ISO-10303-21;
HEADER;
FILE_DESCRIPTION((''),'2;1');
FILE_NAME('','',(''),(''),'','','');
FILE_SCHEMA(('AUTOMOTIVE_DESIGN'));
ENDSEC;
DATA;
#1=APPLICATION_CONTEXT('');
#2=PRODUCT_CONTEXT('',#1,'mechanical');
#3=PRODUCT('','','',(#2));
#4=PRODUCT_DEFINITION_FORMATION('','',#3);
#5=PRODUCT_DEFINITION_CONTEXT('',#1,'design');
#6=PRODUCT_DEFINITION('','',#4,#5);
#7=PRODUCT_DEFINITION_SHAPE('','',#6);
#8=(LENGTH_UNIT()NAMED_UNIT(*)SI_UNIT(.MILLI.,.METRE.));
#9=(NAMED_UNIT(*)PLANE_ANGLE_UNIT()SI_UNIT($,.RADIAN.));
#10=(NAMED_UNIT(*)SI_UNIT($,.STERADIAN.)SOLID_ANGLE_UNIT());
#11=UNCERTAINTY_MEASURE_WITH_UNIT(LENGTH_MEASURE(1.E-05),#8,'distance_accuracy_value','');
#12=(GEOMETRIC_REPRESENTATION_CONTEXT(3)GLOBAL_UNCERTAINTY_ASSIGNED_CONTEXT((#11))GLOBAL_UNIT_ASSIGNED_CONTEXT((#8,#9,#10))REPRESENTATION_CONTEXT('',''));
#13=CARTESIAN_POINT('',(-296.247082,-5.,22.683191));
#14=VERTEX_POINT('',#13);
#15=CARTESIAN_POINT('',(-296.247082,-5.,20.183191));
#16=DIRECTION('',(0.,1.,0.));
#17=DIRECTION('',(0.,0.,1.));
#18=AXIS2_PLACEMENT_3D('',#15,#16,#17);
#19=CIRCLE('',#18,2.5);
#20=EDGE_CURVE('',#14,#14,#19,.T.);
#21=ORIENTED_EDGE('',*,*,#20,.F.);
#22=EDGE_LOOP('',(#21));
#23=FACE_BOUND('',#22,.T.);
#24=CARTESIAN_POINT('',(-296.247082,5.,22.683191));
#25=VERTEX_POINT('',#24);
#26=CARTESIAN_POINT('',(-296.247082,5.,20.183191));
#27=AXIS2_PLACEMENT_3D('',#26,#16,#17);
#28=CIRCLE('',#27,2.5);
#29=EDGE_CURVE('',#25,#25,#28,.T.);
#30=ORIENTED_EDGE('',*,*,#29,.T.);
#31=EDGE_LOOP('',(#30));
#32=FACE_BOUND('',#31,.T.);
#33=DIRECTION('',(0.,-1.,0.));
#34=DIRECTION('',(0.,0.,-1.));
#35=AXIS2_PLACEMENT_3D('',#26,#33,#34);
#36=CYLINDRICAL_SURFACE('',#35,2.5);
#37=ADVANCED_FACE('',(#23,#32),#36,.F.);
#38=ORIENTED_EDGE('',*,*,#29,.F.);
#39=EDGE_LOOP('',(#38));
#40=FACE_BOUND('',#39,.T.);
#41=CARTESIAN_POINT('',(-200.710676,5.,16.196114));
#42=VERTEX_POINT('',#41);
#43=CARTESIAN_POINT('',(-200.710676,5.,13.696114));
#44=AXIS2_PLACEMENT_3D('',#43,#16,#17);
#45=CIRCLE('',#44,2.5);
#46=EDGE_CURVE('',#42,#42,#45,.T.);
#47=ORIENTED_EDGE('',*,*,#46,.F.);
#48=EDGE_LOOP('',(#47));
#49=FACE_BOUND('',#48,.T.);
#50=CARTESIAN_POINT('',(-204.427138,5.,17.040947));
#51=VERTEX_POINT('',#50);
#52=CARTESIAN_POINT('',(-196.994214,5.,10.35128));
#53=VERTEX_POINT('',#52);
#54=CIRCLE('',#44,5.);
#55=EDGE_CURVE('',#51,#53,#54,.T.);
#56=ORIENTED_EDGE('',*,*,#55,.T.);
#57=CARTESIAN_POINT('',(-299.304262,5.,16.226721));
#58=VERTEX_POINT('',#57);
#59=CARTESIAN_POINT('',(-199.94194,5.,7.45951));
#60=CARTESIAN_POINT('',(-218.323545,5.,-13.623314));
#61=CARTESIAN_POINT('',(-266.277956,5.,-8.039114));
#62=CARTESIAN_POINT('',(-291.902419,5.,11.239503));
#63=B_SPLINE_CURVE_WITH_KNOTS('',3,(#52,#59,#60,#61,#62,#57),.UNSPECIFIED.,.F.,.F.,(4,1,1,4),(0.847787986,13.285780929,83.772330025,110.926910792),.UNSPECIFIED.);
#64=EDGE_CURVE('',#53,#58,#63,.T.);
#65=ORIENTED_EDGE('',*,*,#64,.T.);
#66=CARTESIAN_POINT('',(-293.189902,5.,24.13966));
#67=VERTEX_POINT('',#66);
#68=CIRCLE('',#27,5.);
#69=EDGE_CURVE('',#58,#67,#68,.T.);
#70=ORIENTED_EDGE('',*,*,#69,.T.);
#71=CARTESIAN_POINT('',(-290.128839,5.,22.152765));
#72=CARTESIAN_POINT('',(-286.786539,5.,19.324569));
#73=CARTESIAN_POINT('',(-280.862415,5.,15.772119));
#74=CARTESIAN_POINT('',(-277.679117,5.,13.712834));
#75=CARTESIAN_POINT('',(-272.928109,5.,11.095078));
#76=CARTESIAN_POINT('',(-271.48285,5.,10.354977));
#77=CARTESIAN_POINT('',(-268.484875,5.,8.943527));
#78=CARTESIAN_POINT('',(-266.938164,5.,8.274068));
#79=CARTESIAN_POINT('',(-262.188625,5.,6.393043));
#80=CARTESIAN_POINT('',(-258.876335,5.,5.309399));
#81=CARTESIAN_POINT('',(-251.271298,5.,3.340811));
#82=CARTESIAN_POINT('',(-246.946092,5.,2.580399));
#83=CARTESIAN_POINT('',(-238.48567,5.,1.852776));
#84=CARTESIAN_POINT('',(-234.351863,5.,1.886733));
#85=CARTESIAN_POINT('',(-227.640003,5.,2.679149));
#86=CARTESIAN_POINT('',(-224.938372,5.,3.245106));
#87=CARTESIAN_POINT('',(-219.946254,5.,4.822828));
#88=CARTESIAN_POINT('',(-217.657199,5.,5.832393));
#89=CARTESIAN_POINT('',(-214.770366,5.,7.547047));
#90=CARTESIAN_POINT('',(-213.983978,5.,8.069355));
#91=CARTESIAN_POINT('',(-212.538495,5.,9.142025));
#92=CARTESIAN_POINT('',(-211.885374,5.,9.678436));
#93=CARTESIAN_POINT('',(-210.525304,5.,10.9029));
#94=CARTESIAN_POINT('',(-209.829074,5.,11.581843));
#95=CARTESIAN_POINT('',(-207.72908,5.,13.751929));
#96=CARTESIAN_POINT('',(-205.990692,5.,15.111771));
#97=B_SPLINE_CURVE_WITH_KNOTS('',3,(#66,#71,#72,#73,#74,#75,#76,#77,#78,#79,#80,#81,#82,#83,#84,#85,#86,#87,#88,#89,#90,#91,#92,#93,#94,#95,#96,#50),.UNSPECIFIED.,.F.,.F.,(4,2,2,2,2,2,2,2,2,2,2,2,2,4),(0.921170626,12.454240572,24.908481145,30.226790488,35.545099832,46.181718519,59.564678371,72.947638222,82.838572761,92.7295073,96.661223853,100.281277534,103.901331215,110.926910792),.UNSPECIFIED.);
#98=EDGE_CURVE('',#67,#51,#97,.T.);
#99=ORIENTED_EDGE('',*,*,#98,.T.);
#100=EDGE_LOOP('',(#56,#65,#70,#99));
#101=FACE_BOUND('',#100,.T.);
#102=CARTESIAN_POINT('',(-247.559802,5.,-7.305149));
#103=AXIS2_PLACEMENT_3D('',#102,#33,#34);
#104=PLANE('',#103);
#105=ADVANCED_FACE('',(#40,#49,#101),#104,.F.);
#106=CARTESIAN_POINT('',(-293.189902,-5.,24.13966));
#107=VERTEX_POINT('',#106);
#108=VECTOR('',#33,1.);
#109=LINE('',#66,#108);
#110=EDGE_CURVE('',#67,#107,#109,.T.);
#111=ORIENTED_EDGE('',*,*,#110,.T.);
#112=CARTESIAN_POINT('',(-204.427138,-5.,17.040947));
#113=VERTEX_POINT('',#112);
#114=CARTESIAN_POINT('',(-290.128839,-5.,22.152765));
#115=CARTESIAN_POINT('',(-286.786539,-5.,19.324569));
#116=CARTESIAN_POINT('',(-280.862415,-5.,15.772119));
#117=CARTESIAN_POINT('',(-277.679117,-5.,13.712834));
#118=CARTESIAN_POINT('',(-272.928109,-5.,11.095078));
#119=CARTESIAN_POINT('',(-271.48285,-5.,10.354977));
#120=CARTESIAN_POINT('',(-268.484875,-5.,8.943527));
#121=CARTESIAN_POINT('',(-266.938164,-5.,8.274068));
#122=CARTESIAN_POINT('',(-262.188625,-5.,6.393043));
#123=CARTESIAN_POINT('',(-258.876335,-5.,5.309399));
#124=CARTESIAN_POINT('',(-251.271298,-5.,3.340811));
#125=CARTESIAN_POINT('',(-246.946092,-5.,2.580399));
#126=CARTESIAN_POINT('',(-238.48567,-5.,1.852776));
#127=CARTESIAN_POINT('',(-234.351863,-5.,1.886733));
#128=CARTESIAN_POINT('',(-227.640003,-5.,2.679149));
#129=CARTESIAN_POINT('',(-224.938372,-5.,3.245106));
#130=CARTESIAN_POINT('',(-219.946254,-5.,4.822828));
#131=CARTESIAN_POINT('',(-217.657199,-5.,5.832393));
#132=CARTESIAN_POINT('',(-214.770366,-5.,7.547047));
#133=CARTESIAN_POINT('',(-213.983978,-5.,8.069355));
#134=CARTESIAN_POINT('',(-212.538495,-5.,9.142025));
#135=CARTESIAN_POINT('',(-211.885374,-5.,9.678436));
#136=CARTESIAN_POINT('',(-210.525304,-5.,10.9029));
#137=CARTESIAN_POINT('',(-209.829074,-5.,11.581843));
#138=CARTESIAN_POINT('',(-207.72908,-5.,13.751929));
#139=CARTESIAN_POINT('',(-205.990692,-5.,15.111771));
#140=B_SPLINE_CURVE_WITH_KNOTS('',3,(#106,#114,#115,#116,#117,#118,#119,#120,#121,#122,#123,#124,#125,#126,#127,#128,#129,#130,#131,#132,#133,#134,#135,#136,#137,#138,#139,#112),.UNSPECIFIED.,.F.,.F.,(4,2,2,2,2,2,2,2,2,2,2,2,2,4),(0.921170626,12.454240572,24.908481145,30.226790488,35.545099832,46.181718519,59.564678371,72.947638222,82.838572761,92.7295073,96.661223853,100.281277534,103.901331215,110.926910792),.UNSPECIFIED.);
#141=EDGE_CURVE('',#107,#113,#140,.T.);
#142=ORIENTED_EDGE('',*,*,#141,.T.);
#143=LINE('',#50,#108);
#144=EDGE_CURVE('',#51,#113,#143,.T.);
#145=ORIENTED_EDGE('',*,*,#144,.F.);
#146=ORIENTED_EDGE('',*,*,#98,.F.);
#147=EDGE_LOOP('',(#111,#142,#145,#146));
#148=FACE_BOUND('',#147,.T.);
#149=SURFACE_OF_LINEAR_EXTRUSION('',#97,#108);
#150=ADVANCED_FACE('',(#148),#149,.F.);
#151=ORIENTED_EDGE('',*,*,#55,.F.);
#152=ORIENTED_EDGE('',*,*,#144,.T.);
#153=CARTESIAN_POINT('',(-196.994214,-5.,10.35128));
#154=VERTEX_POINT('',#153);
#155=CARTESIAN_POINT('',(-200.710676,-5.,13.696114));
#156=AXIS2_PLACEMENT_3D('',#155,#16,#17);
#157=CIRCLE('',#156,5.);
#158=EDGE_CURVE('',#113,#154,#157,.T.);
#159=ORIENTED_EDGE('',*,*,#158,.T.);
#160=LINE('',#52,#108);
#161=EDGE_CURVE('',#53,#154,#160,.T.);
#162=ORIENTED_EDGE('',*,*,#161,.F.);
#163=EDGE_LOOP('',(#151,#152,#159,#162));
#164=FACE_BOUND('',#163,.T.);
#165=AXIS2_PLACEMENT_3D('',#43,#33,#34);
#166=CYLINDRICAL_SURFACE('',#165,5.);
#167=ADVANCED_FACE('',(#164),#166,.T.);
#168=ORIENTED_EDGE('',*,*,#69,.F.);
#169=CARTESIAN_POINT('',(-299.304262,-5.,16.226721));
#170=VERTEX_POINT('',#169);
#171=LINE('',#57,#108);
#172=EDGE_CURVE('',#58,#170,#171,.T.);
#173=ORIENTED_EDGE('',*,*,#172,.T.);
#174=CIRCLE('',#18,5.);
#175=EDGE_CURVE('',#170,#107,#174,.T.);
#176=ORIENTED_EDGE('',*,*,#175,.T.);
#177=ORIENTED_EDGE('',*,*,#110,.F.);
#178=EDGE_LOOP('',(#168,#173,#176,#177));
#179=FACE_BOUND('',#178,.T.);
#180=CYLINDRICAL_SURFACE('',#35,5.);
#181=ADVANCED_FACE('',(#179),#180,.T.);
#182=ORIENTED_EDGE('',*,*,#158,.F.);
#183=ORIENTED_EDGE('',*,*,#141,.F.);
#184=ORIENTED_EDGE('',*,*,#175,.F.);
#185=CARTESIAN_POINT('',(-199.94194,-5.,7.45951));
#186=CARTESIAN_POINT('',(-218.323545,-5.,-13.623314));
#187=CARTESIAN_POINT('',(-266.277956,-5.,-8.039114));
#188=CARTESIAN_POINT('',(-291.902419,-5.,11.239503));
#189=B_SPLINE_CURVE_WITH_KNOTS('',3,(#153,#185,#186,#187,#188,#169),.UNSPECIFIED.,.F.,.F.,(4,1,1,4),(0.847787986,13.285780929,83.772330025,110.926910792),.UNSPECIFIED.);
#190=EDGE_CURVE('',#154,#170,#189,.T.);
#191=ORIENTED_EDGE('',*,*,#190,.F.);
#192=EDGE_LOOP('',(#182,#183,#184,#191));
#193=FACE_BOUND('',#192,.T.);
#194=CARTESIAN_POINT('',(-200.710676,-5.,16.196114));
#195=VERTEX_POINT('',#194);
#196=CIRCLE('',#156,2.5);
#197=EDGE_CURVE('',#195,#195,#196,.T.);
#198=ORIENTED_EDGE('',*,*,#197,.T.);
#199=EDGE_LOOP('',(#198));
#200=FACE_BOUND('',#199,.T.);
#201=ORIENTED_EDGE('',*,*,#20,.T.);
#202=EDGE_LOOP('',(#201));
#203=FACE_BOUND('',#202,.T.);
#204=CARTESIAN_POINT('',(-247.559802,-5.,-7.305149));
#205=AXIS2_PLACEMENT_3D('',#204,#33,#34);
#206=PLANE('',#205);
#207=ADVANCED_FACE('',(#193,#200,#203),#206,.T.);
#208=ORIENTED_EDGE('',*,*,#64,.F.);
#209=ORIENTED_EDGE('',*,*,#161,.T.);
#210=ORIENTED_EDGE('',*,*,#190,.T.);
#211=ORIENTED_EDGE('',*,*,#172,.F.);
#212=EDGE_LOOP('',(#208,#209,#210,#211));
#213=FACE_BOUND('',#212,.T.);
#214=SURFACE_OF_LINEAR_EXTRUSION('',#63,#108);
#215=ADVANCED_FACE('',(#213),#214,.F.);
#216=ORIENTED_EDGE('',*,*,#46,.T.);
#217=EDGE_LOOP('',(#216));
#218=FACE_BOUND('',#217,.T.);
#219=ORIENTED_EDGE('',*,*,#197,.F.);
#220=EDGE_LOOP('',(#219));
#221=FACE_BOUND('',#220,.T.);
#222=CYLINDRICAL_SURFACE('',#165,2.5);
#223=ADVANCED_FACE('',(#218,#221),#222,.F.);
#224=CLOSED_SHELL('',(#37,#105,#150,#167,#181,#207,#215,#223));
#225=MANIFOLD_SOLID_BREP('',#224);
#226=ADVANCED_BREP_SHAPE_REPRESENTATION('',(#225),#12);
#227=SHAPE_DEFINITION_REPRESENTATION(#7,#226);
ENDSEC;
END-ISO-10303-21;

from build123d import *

# Parameters (mm, degrees)
SKETCH3_R           = 2.5
BOSS_EXTRUDE1_DEPTH = 5


with BuildPart() as part:
    # Sketch3 → Boss-Extrude1 (new, symmetric)
    with BuildSketch(Plane(origin=(0, 0, 0), x_dir=(1, 0, 0), z_dir=(0, 1, 0))):
        with BuildLine():
            ThreePointArc((-299.304262271, -16.226721188), (-300.203551691, -23.240370633), (-293.189902246, -24.139660053))
            add(Edge.make_bspline(
                [(-293.189902246, -24.139660053), (-290.128839124, -22.152764654), (-286.786538548, -19.324569113), (-280.862415348, -15.772118685), (-277.679116824, -13.712833567), (-272.928108533, -11.095078383), (-271.482849503, -10.354977079), (-268.484875372, -8.943526758), (-266.938163872, -8.274068128), (-262.188625232, -6.393042897), (-258.876334977, -5.309399198), (-251.271297793, -3.340810571), (-246.946091648, -2.580398934), (-238.485670472, -1.8527763), (-234.351862704, -1.886732872), (-227.640002948, -2.679148904), (-224.938371935, -3.245106431), (-219.9462539, -4.822827696), (-217.657198787, -5.832393233), (-214.770366393, -7.547047403), (-213.983977581, -8.069354524), (-212.538495104, -9.142025189), (-211.885373774, -9.678435733), (-210.525303671, -10.902899744), (-209.829074095, -11.581843244), (-207.729080325, -13.751928889), (-205.990691886, -15.11177084), (-204.427137735, -17.040946949)],
                knots=[0.921170626, 0.921170626, 0.921170626, 0.921170626, 12.454240572, 12.454240572, 24.908481145, 24.908481145, 30.226790488, 30.226790488, 35.545099832, 35.545099832, 46.181718519, 46.181718519, 59.564678371, 59.564678371, 72.947638222, 72.947638222, 82.838572761, 82.838572761, 92.7295073, 92.7295073, 96.661223853, 96.661223853, 100.281277534, 100.281277534, 103.901331215, 103.901331215, 110.926910792, 110.926910792, 110.926910792, 110.926910792], degree=3))
            ThreePointArc((-204.427137735, -17.040946949), (-197.365842369, -17.412575466), (-196.994213851, -10.3512801))
            add(Edge.make_bspline(
                [(-299.304262271, -16.226721188), (-291.902418619, -11.239503023), (-266.277956185, 8.039114355), (-218.323545031, 13.623313869), (-199.941940379, -7.459509549), (-196.994213851, -10.3512801)],
                knots=[0.847787986, 0.847787986, 0.847787986, 0.847787986, 28.002368753, 98.488917849, 110.926910792, 110.926910792, 110.926910792, 110.926910792], degree=3))
        make_face()
        with Locations(Location((-296.247082258, -20.183190621, 0), (0, 0, 270))):
            Circle(SKETCH3_R, mode=Mode.SUBTRACT)
        with Locations(Location((-200.710675793, -13.696113524, 0), (0, 0, 270))):
            Circle(SKETCH3_R, mode=Mode.SUBTRACT)
    extrude(amount=BOSS_EXTRUDE1_DEPTH, both=True)


solid = part.part
